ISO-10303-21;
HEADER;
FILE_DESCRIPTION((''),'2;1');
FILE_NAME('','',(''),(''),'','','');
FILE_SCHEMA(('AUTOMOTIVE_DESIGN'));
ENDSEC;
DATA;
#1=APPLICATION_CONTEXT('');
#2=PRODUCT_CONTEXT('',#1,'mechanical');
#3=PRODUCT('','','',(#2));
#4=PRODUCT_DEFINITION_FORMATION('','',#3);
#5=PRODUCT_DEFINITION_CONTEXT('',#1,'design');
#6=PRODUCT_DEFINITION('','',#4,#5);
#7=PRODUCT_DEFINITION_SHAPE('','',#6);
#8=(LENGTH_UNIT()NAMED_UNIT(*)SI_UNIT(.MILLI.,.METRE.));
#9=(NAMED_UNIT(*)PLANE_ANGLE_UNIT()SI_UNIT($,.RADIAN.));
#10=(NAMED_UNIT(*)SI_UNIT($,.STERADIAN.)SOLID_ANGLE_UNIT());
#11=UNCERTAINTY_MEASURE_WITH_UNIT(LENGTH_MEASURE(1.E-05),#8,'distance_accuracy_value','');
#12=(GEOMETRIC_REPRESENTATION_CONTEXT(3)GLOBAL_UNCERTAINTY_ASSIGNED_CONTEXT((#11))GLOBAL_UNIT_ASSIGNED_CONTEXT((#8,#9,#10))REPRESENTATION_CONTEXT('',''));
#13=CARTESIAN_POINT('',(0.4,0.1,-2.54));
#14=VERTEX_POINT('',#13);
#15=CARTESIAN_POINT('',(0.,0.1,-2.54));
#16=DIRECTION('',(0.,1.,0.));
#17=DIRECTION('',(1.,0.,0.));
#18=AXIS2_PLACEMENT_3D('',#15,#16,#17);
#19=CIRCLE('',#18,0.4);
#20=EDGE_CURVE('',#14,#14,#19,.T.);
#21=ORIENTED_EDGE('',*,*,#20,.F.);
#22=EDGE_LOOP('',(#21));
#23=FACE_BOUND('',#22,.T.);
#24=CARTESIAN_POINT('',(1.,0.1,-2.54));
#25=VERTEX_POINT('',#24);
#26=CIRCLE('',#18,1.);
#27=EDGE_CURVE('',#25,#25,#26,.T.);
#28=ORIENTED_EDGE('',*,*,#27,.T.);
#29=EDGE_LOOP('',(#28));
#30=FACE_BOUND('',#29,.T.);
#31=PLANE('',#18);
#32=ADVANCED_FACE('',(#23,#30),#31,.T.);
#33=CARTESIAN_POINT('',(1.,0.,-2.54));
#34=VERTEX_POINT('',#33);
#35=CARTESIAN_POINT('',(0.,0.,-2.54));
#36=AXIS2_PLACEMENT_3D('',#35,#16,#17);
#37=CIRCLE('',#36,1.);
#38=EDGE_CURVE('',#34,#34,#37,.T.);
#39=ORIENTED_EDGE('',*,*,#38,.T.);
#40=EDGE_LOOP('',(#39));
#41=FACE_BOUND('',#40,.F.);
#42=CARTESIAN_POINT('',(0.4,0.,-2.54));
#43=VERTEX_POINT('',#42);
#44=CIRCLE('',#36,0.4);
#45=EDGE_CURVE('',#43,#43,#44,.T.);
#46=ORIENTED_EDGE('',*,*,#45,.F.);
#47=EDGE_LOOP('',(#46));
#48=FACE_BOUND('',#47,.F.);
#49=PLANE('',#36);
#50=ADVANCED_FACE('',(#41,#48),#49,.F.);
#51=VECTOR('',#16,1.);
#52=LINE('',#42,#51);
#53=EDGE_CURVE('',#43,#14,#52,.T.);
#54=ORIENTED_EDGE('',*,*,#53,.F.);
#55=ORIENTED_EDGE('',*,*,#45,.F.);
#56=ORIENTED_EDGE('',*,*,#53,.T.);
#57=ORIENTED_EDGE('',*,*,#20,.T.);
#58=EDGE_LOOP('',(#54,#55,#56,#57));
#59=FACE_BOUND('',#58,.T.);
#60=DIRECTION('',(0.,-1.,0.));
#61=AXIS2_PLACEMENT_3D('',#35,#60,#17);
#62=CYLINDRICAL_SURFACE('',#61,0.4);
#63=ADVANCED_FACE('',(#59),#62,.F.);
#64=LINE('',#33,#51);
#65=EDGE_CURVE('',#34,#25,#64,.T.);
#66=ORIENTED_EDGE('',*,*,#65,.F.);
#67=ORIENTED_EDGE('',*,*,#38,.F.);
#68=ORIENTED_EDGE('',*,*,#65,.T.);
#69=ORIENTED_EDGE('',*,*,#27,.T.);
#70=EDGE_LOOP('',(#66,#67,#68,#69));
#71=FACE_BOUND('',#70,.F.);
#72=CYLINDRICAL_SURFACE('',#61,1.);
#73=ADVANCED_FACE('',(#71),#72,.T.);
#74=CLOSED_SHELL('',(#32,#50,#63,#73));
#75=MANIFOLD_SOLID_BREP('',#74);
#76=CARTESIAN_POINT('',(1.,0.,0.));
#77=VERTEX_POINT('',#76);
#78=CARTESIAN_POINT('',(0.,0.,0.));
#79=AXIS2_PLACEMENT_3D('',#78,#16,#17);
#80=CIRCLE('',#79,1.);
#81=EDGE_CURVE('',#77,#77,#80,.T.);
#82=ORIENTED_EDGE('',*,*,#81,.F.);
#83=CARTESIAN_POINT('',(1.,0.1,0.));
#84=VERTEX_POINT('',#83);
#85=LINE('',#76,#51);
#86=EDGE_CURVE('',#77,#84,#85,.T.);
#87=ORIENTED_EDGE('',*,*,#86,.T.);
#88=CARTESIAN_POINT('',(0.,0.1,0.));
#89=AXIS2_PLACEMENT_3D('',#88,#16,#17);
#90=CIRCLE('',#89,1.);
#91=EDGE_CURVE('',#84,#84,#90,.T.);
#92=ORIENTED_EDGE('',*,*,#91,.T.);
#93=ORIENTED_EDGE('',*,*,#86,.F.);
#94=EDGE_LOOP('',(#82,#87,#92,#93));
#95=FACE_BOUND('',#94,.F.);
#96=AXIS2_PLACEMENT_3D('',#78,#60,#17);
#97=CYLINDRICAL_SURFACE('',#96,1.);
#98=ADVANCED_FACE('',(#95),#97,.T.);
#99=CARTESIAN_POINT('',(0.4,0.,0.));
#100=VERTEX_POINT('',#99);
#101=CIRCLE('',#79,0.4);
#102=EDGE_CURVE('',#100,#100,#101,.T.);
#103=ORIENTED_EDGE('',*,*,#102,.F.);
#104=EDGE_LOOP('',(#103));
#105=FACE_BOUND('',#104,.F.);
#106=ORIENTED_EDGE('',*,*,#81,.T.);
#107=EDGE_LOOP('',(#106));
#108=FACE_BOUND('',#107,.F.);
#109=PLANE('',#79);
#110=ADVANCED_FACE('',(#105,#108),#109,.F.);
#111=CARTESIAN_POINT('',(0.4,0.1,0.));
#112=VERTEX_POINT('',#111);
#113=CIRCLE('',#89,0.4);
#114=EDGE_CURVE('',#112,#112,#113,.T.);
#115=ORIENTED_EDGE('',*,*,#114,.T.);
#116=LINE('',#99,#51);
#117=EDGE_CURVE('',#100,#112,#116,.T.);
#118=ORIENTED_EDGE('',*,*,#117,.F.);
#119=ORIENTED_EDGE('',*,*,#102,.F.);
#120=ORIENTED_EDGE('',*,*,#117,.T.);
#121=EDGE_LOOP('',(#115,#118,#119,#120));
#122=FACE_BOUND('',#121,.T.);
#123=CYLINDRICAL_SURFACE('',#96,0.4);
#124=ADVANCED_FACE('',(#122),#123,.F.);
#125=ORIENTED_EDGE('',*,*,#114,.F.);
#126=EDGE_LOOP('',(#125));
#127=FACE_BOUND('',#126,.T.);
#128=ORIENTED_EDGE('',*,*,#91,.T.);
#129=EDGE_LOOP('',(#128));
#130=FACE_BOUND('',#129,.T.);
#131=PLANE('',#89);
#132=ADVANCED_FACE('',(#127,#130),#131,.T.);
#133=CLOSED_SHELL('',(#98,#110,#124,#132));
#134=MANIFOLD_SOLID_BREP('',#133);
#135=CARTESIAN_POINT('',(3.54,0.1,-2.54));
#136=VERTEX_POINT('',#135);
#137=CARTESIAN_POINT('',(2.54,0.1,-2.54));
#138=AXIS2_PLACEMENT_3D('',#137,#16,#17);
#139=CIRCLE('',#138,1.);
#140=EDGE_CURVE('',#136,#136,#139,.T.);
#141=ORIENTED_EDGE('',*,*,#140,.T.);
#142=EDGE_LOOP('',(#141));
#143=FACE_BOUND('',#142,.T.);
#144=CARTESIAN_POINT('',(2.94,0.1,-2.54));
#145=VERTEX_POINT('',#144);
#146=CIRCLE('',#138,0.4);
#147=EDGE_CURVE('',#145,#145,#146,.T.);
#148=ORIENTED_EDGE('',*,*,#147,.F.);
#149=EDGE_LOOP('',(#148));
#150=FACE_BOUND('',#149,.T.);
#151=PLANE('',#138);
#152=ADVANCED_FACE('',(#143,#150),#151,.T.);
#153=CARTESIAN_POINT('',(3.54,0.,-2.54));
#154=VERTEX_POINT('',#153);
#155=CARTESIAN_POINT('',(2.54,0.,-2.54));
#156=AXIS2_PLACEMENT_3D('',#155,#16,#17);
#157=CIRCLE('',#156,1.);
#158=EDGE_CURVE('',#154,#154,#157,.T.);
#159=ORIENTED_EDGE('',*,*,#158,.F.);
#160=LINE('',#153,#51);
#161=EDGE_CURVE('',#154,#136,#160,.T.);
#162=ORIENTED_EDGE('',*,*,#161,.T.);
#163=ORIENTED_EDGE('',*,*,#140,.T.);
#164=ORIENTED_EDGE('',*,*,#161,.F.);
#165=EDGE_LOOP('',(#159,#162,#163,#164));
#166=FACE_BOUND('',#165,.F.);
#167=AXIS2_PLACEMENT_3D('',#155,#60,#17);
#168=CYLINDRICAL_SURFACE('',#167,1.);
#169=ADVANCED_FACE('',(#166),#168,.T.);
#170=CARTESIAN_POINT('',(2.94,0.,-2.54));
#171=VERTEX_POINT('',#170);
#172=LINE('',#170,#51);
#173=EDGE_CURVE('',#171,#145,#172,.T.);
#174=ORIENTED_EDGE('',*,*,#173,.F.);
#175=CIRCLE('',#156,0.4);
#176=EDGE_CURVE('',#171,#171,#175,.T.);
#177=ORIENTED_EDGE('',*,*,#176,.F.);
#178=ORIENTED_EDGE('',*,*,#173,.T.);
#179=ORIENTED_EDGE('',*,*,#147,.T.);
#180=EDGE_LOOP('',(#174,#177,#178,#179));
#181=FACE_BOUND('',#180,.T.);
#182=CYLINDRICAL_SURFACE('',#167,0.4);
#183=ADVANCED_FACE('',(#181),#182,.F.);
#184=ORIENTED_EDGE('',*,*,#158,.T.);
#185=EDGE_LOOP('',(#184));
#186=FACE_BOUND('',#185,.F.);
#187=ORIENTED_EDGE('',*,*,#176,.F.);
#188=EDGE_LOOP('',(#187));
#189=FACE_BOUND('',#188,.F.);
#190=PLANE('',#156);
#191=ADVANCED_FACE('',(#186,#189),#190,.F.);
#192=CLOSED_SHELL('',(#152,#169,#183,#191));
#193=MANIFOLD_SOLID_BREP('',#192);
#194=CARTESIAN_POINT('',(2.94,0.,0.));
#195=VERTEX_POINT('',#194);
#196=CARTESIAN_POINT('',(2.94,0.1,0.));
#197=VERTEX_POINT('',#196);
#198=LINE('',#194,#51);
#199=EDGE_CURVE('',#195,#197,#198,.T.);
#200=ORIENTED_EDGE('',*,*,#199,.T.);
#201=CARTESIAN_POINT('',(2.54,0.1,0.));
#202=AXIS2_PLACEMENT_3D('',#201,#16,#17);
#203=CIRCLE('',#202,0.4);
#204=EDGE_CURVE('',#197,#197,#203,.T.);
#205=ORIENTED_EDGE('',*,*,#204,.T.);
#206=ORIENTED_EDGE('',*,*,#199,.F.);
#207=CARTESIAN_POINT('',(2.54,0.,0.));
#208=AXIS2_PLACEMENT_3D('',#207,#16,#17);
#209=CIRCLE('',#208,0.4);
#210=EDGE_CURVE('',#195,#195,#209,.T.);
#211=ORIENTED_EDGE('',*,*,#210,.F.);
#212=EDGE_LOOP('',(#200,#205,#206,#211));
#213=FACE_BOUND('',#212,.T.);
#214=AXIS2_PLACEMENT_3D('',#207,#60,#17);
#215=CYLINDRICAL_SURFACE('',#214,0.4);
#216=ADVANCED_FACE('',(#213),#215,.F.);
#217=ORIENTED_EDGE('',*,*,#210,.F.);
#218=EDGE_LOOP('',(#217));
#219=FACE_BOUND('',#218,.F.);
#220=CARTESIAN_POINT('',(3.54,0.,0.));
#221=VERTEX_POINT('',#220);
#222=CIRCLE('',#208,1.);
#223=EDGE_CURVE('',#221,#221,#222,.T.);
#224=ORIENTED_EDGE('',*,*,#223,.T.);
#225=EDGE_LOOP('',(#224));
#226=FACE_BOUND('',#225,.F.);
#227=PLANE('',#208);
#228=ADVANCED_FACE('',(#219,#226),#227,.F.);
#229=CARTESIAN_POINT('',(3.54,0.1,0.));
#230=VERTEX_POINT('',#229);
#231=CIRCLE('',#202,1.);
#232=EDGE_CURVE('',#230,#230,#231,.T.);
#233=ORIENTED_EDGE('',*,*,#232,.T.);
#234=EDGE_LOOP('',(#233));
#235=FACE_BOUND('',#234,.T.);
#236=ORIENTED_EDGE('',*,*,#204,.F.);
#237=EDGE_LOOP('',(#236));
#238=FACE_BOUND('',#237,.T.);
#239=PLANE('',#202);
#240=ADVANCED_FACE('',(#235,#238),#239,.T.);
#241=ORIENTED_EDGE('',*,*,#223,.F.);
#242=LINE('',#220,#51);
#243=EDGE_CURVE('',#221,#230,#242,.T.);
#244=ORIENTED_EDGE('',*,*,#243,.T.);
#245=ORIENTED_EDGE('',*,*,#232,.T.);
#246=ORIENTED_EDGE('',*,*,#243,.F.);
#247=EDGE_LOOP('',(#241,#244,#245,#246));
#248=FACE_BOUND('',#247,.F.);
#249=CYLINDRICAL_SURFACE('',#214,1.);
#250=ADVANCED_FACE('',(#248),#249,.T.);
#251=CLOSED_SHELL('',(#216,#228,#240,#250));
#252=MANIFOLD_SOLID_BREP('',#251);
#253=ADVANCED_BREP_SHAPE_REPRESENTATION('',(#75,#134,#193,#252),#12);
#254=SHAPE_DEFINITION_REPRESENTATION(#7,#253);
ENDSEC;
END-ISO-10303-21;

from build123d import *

# Parameters (mm, degrees)
SKETCH1_R             = 1
SKETCH1_R_2           = 0.4
BOSS_EXTRUDE1_DEPTH   = 0.1
BOSS_EXTRUDE1_2_DEPTH = 0.1
BOSS_EXTRUDE1_3_DEPTH = 0.1
BOSS_EXTRUDE1_4_DEPTH = 0.1


with BuildPart() as part:
    # Sketch1 → Boss-Extrude1 (new body)
    with BuildSketch(Plane(origin=(0, 0, 0), x_dir=(1, 0, 0), z_dir=(0, 1, 0))):
        Circle(SKETCH1_R)
        Circle(SKETCH1_R_2, mode=Mode.SUBTRACT)
    extrude(amount=BOSS_EXTRUDE1_DEPTH)


with BuildPart() as body_2:
    # Sketch1 → Boss-Extrude1 2 (new body)
    with BuildSketch(Plane(origin=(0, 0, 0), x_dir=(1, 0, 0), z_dir=(0, 1, 0))):
        with Locations((0, 2.54)):
            Circle(SKETCH1_R)
        with Locations((0, 2.54)):
            Circle(SKETCH1_R_2, mode=Mode.SUBTRACT)
    extrude(amount=BOSS_EXTRUDE1_2_DEPTH)


with BuildPart() as body_3:
    # Sketch1 → Boss-Extrude1 3 (new body)
    with BuildSketch(Plane(origin=(0, 0, 0), x_dir=(1, 0, 0), z_dir=(0, 1, 0))):
        with Locations((2.54, 2.54)):
            Circle(SKETCH1_R)
        with Locations((2.54, 2.54)):
            Circle(SKETCH1_R_2, mode=Mode.SUBTRACT)
    extrude(amount=BOSS_EXTRUDE1_3_DEPTH)


with BuildPart() as body_4:
    # Sketch1 → Boss-Extrude1 4 (new body)
    with BuildSketch(Plane(origin=(0, 0, 0), x_dir=(1, 0, 0), z_dir=(0, 1, 0))):
        with Locations((2.54, 0)):
            Circle(SKETCH1_R)
        with Locations((2.54, 0)):
            Circle(SKETCH1_R_2, mode=Mode.SUBTRACT)
    extrude(amount=BOSS_EXTRUDE1_4_DEPTH)


solid = Compound([part.part, body_2.part, body_3.part, body_4.part])
